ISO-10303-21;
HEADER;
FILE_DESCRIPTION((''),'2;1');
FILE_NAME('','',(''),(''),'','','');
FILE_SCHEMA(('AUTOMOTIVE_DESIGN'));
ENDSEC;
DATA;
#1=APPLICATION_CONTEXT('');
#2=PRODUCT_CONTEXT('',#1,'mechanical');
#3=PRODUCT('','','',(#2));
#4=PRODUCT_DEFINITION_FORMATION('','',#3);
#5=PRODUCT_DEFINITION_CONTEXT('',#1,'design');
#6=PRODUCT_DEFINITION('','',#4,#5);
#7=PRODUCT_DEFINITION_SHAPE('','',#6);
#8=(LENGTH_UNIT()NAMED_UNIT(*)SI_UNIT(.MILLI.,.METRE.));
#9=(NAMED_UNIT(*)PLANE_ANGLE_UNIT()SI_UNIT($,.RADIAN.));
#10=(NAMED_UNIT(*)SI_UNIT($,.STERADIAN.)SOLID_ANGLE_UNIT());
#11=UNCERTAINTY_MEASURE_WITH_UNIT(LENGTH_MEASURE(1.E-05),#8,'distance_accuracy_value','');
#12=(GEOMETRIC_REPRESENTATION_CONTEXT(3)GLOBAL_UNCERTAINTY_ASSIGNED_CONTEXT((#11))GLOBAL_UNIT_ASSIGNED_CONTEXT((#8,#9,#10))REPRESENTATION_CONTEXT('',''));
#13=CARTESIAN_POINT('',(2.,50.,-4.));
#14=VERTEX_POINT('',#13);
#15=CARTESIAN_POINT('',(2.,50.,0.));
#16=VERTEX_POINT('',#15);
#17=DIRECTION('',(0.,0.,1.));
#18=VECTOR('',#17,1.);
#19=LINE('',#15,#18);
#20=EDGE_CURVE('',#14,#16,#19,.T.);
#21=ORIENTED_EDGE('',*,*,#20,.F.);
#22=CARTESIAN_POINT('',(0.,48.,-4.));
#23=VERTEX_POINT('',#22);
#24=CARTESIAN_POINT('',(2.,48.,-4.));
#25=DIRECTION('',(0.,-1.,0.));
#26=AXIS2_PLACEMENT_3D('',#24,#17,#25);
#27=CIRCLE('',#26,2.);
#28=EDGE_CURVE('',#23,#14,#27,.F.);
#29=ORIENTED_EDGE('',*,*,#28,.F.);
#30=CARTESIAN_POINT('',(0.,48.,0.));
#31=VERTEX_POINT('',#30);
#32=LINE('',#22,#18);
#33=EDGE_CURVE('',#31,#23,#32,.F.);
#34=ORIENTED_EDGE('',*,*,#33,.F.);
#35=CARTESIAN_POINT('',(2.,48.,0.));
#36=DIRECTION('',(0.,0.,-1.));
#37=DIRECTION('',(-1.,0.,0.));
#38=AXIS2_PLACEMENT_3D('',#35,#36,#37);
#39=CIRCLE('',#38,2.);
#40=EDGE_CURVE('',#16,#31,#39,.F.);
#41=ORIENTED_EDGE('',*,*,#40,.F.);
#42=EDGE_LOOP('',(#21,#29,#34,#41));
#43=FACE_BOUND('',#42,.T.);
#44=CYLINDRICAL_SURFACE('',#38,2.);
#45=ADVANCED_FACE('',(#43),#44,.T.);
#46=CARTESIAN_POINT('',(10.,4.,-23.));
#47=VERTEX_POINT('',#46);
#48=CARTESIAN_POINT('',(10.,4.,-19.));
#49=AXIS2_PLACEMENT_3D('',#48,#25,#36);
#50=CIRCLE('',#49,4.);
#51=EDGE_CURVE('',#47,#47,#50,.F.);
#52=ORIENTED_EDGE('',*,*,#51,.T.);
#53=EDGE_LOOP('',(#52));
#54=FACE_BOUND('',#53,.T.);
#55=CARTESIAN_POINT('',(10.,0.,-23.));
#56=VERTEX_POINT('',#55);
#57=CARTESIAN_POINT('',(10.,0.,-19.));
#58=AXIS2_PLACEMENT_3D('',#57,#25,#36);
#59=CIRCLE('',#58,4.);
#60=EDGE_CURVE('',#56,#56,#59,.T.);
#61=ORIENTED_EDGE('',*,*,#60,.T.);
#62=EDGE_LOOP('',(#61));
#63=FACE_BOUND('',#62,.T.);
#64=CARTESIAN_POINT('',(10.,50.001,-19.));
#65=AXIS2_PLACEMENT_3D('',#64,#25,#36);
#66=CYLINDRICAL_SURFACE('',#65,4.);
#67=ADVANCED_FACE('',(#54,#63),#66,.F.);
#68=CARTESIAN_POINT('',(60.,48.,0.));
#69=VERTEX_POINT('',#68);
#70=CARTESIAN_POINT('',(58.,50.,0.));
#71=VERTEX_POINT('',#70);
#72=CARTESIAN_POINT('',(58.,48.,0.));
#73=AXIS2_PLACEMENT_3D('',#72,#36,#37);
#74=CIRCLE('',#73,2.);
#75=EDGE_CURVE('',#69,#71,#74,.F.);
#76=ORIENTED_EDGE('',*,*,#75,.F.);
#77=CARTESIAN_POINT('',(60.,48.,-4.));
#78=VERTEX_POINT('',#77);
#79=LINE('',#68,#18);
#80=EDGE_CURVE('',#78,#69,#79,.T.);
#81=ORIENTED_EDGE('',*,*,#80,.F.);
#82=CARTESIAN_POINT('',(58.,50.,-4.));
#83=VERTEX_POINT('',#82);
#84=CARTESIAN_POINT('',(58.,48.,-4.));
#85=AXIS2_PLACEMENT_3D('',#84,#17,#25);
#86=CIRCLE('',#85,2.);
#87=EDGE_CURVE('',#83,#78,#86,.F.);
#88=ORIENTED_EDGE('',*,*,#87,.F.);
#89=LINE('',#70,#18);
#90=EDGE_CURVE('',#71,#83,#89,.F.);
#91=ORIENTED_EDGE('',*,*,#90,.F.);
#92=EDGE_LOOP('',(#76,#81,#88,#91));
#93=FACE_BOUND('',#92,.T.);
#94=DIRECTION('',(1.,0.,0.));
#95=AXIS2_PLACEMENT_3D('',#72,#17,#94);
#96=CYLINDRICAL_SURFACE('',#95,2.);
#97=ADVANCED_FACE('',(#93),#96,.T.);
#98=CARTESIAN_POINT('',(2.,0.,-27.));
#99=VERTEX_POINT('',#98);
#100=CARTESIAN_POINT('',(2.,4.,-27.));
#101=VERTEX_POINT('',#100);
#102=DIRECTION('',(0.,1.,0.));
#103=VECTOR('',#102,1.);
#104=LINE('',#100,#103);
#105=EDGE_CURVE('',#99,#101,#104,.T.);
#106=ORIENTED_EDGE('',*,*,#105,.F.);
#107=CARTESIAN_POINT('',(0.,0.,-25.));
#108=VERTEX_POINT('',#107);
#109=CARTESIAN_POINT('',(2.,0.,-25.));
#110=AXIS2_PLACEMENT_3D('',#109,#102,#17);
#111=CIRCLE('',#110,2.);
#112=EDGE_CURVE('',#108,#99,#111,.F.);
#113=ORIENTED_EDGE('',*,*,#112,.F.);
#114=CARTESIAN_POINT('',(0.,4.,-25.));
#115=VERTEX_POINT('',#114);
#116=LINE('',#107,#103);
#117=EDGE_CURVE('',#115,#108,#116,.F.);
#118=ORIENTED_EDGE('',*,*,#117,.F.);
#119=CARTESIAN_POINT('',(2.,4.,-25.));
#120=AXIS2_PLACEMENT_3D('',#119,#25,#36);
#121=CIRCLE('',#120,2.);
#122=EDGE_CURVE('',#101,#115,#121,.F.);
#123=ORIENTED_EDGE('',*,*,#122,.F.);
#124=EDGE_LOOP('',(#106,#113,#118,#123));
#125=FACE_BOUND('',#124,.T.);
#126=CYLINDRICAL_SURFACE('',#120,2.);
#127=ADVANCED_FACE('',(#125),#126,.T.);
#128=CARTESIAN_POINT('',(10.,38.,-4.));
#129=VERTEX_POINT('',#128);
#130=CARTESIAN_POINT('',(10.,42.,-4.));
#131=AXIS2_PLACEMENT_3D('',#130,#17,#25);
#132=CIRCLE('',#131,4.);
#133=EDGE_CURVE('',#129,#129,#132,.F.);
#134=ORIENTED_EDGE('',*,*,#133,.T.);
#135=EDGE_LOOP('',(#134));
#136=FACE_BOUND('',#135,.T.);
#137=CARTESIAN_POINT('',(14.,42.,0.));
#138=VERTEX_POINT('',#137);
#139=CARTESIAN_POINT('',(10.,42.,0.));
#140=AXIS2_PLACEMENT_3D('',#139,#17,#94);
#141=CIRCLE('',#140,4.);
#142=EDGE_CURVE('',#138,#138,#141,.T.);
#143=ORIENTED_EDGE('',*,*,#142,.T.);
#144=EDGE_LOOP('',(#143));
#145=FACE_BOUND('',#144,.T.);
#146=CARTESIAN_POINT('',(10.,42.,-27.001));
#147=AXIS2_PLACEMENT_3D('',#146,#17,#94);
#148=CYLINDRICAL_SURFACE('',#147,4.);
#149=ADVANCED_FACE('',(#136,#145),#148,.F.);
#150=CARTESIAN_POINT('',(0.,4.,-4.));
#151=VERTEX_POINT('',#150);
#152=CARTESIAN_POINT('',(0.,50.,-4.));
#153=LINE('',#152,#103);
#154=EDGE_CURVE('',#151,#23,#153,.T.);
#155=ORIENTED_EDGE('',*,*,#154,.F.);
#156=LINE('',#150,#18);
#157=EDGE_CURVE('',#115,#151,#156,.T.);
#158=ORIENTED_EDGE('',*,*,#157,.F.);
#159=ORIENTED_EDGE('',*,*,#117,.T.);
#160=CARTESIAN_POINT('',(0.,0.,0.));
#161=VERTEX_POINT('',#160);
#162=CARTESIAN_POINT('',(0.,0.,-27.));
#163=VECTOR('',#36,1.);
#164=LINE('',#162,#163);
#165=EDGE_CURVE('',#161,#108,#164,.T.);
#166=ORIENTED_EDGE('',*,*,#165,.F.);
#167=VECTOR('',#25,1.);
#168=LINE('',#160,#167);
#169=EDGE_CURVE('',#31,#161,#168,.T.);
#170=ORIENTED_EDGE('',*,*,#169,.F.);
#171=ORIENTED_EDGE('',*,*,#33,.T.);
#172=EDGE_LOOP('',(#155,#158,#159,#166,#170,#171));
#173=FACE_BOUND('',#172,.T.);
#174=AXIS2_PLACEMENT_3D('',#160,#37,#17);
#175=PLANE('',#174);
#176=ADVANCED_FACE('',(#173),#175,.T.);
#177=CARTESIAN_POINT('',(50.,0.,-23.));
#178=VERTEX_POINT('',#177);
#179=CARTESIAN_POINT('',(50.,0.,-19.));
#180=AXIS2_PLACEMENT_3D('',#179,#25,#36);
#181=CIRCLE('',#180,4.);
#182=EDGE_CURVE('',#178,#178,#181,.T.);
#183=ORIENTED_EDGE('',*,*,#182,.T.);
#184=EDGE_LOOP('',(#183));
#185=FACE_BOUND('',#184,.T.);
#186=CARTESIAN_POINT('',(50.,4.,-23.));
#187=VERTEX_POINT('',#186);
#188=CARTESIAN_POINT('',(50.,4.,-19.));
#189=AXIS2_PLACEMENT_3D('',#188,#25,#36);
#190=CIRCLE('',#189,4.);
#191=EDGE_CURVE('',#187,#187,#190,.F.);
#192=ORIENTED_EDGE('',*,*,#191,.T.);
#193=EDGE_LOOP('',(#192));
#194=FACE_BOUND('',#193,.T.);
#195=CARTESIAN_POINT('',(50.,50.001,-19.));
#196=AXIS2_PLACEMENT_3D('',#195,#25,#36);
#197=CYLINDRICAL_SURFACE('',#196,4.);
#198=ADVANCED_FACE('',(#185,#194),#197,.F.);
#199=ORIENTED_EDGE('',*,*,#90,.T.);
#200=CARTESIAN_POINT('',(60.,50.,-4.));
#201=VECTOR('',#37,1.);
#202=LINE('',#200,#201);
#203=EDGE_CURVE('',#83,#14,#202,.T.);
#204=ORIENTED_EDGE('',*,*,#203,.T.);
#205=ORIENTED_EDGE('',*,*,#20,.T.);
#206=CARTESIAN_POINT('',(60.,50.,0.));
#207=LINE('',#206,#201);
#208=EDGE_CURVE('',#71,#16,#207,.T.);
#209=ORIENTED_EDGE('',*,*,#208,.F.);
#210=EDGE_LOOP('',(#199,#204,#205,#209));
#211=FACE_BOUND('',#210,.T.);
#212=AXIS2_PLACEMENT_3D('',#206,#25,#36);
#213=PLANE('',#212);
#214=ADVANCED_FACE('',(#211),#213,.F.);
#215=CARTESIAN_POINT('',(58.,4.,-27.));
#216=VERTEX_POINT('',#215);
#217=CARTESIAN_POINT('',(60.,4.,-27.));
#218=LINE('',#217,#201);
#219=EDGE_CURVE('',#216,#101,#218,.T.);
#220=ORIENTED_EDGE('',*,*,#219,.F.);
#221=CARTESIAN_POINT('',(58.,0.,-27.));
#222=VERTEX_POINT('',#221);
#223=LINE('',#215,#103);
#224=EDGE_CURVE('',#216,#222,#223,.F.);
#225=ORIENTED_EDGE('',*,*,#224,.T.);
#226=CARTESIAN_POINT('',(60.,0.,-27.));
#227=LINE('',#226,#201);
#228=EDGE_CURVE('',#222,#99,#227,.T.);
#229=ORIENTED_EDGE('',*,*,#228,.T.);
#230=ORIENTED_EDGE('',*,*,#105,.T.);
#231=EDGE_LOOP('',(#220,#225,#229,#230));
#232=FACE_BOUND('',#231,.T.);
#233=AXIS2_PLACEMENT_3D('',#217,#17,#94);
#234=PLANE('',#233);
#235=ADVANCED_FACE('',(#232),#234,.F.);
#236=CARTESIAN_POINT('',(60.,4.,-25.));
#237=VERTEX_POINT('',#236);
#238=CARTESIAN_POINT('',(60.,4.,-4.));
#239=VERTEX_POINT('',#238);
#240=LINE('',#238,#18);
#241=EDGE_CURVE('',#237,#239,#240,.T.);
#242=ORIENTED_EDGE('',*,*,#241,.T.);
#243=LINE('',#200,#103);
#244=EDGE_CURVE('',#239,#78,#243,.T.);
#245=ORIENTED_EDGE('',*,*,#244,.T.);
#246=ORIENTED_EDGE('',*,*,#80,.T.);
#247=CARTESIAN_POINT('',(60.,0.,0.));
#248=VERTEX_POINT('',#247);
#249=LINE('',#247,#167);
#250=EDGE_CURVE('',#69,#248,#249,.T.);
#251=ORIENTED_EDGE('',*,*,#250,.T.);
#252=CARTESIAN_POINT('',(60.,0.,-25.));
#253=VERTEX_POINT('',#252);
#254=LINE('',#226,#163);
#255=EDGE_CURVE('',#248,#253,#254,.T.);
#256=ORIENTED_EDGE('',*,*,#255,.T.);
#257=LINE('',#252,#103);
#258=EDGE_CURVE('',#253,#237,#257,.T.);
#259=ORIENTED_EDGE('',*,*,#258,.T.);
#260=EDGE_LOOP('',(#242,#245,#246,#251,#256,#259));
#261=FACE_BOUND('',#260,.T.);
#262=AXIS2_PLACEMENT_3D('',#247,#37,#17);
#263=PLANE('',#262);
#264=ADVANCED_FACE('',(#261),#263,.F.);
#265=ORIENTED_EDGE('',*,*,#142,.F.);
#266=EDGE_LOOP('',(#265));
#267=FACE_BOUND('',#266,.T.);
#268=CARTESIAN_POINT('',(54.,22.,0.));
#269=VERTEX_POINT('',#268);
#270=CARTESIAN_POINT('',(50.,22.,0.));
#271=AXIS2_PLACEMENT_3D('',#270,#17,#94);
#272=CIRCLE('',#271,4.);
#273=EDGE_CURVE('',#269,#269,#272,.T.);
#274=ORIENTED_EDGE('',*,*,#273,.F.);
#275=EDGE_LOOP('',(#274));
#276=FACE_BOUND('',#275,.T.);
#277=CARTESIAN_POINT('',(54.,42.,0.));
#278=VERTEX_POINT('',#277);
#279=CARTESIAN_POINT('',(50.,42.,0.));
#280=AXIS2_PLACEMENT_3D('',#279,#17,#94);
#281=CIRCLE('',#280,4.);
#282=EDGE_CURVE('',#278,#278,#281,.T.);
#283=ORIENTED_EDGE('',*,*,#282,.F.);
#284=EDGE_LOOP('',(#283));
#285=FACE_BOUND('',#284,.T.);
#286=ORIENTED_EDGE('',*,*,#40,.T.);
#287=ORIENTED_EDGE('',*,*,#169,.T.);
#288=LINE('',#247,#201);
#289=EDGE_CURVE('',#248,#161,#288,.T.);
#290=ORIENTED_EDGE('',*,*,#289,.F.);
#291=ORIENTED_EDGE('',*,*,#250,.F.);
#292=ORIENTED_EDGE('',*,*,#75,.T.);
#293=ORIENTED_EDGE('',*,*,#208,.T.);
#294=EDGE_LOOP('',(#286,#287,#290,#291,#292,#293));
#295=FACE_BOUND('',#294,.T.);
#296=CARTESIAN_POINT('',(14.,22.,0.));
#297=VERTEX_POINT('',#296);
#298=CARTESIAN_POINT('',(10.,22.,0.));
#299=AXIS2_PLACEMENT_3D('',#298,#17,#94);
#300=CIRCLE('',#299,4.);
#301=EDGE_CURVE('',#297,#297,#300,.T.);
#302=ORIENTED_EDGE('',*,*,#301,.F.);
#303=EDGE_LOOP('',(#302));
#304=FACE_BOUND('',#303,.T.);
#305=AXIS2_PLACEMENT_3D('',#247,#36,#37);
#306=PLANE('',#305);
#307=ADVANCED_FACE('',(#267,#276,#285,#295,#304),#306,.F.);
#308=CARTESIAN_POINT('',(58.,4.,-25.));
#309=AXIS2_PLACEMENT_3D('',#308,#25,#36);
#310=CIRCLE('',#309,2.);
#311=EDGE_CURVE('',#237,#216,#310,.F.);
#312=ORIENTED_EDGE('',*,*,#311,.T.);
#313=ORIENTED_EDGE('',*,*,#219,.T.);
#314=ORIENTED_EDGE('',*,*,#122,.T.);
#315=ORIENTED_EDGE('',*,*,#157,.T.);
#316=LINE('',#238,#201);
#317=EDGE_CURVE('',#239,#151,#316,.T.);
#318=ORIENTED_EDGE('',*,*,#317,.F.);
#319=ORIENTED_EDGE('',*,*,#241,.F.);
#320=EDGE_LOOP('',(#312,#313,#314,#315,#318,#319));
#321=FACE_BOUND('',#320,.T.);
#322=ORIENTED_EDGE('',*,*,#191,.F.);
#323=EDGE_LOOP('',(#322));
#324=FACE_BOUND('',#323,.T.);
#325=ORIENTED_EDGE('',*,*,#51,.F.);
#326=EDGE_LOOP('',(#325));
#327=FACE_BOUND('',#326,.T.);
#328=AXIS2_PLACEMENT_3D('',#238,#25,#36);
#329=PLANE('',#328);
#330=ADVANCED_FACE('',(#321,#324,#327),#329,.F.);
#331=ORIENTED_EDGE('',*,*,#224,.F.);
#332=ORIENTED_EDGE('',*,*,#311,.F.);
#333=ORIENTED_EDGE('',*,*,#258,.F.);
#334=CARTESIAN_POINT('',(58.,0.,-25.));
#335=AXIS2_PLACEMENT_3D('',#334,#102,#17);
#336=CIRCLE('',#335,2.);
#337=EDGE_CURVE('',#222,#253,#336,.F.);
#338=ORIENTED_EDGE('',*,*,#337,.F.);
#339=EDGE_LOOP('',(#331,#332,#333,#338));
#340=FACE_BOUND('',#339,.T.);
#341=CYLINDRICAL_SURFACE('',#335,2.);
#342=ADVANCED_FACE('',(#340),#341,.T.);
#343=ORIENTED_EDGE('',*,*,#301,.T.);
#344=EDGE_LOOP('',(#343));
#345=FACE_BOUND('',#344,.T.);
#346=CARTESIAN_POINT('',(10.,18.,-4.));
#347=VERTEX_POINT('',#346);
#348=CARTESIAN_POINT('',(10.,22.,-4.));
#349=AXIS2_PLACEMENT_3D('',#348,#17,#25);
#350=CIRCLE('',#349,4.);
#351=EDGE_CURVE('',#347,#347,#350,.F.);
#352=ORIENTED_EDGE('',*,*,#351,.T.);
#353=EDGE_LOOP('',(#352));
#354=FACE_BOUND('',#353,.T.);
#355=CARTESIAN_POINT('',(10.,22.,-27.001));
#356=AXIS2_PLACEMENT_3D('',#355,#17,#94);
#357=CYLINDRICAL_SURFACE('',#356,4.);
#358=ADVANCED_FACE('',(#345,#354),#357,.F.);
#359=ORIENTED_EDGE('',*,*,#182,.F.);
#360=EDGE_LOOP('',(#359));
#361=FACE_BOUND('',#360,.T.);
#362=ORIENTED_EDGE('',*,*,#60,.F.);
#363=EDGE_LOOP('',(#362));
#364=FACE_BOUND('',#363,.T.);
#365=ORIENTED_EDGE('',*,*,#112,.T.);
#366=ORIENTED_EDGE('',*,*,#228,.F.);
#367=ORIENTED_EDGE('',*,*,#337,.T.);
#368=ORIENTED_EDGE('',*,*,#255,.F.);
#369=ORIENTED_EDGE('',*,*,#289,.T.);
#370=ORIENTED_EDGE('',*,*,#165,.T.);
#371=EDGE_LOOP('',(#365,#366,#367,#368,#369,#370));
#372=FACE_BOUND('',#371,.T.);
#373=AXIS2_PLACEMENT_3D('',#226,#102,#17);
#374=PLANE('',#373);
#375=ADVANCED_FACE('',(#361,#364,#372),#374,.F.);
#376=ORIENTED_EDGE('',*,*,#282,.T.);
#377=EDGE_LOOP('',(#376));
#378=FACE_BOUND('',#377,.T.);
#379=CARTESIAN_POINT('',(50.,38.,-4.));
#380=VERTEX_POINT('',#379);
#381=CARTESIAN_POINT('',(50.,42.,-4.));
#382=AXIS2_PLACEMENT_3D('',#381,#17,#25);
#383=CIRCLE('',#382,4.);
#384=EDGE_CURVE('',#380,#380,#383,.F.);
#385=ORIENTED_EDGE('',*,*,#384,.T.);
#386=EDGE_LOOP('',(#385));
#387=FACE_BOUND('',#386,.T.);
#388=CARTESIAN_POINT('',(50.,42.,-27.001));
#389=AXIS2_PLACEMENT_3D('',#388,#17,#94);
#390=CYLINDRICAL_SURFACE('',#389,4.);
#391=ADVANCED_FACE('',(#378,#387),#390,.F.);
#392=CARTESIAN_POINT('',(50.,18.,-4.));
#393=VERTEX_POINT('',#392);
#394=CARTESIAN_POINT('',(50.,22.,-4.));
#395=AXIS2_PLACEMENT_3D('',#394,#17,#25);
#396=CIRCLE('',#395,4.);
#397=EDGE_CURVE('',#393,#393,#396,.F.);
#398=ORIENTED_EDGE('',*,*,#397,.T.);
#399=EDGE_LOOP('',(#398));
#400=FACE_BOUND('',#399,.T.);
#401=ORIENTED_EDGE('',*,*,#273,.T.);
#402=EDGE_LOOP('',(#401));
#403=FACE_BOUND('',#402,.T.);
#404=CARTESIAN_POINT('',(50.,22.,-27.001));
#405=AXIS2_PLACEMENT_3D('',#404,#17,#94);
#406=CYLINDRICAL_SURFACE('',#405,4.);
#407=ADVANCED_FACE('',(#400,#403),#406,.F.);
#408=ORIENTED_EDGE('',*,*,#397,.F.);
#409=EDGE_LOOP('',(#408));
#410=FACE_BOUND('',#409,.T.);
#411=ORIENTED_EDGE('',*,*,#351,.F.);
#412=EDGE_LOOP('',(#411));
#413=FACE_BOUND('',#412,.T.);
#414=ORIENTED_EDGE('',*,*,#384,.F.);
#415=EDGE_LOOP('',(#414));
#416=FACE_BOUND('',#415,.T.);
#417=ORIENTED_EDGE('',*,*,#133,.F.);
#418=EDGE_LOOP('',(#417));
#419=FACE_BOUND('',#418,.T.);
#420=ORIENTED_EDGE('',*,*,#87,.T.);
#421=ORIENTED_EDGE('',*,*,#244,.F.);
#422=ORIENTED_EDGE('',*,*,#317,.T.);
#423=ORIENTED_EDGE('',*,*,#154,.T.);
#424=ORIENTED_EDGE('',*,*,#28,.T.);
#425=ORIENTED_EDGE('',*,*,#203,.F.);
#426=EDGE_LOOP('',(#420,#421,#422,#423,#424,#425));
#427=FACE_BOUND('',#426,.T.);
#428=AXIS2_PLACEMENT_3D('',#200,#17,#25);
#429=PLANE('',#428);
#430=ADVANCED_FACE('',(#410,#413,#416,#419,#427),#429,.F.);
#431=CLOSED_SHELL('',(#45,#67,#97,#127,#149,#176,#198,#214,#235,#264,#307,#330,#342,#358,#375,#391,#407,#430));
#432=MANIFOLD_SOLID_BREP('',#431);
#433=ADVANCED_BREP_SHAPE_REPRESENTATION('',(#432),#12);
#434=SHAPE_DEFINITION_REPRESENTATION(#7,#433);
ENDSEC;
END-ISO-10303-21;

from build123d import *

# Parameters (mm, degrees)
BOSS_EXTRUDE1_DEPTH = 60
CUT_EXTRUDE3_REACH  = 29
SKETCH8_R           = 3.999999996
CUT_EXTRUDE4_REACH  = 52
SKETCH9_R           = 4.000000003
FILLET2_R           = 2


with BuildPart() as part:
    # Sketch1 → Boss-Extrude1 (new body)
    with BuildSketch(Plane(origin=(0, 0, 0), x_dir=(0, 0, -1), z_dir=(1, 0, 0))):
        Polygon((0, 0), (0, 50), (4, 50), (4, 4), (27, 4), (27, 0), align=None)
    extrude(amount=BOSS_EXTRUDE1_DEPTH)

    # Sketch8 → Cut-Extrude3 (cut, up to next)
    with BuildSketch(Plane.XY, mode=Mode.PRIVATE) as cut_extrude3_sk1:
        with Locations((10, 22)):
            Circle(SKETCH8_R)
    cut_extrude3_tool1 = extrude(cut_extrude3_sk1.sketch, amount=-CUT_EXTRUDE3_REACH, mode=Mode.PRIVATE) & part.part
    add(cut_extrude3_tool1.solids().sort_by_distance((10, 22, 0))[0], mode=Mode.SUBTRACT)
    # Sketch8 → Cut-Extrude3 (cut, up to next)
    with BuildSketch(Plane.XY, mode=Mode.PRIVATE) as cut_extrude3_sk2:
        with Locations((50, 22)):
            Circle(SKETCH8_R)
    cut_extrude3_tool2 = extrude(cut_extrude3_sk2.sketch, amount=-CUT_EXTRUDE3_REACH, mode=Mode.PRIVATE) & part.part
    add(cut_extrude3_tool2.solids().sort_by_distance((50, 22, 0))[0], mode=Mode.SUBTRACT)
    # Sketch8 → Cut-Extrude3 (cut, up to next)
    with BuildSketch(Plane.XY, mode=Mode.PRIVATE) as cut_extrude3_sk3:
        with Locations((50, 42)):
            Circle(SKETCH8_R)
    cut_extrude3_tool3 = extrude(cut_extrude3_sk3.sketch, amount=-CUT_EXTRUDE3_REACH, mode=Mode.PRIVATE) & part.part
    add(cut_extrude3_tool3.solids().sort_by_distance((50, 42, 0))[0], mode=Mode.SUBTRACT)
    # Sketch8 → Cut-Extrude3 (cut, up to next)
    with BuildSketch(Plane.XY, mode=Mode.PRIVATE) as cut_extrude3_sk4:
        with Locations((10, 42)):
            Circle(SKETCH8_R)
    cut_extrude3_tool4 = extrude(cut_extrude3_sk4.sketch, amount=-CUT_EXTRUDE3_REACH, mode=Mode.PRIVATE) & part.part
    add(cut_extrude3_tool4.solids().sort_by_distance((10, 42, 0))[0], mode=Mode.SUBTRACT)

    # Sketch9 → Cut-Extrude4 (cut, up to next)
    with BuildSketch(Plane.XZ, mode=Mode.PRIVATE) as cut_extrude4_sk1:
        with Locations((50, -19)):
            Circle(SKETCH9_R)
    cut_extrude4_tool1 = extrude(cut_extrude4_sk1.sketch, amount=-CUT_EXTRUDE4_REACH, mode=Mode.PRIVATE) & part.part
    add(cut_extrude4_tool1.solids().sort_by_distance((50, 0, -19))[0], mode=Mode.SUBTRACT)
    # Sketch9 → Cut-Extrude4 (cut, up to next)
    with BuildSketch(Plane.XZ, mode=Mode.PRIVATE) as cut_extrude4_sk2:
        with Locations((10, -19)):
            Circle(SKETCH9_R)
    cut_extrude4_tool2 = extrude(cut_extrude4_sk2.sketch, amount=-CUT_EXTRUDE4_REACH, mode=Mode.PRIVATE) & part.part
    add(cut_extrude4_tool2.solids().sort_by_distance((10, 0, -19))[0], mode=Mode.SUBTRACT)

    # Fillet2
    fillet2_edges = [part.edges().sort_by_distance(p)[0] for p in [
        (60, 50, -2),
        (0, 50, -2),
        (60, 2, -27),
        (0, 2, -27),
    ]]
    fillet(fillet2_edges, radius=FILLET2_R)


solid = part.part
